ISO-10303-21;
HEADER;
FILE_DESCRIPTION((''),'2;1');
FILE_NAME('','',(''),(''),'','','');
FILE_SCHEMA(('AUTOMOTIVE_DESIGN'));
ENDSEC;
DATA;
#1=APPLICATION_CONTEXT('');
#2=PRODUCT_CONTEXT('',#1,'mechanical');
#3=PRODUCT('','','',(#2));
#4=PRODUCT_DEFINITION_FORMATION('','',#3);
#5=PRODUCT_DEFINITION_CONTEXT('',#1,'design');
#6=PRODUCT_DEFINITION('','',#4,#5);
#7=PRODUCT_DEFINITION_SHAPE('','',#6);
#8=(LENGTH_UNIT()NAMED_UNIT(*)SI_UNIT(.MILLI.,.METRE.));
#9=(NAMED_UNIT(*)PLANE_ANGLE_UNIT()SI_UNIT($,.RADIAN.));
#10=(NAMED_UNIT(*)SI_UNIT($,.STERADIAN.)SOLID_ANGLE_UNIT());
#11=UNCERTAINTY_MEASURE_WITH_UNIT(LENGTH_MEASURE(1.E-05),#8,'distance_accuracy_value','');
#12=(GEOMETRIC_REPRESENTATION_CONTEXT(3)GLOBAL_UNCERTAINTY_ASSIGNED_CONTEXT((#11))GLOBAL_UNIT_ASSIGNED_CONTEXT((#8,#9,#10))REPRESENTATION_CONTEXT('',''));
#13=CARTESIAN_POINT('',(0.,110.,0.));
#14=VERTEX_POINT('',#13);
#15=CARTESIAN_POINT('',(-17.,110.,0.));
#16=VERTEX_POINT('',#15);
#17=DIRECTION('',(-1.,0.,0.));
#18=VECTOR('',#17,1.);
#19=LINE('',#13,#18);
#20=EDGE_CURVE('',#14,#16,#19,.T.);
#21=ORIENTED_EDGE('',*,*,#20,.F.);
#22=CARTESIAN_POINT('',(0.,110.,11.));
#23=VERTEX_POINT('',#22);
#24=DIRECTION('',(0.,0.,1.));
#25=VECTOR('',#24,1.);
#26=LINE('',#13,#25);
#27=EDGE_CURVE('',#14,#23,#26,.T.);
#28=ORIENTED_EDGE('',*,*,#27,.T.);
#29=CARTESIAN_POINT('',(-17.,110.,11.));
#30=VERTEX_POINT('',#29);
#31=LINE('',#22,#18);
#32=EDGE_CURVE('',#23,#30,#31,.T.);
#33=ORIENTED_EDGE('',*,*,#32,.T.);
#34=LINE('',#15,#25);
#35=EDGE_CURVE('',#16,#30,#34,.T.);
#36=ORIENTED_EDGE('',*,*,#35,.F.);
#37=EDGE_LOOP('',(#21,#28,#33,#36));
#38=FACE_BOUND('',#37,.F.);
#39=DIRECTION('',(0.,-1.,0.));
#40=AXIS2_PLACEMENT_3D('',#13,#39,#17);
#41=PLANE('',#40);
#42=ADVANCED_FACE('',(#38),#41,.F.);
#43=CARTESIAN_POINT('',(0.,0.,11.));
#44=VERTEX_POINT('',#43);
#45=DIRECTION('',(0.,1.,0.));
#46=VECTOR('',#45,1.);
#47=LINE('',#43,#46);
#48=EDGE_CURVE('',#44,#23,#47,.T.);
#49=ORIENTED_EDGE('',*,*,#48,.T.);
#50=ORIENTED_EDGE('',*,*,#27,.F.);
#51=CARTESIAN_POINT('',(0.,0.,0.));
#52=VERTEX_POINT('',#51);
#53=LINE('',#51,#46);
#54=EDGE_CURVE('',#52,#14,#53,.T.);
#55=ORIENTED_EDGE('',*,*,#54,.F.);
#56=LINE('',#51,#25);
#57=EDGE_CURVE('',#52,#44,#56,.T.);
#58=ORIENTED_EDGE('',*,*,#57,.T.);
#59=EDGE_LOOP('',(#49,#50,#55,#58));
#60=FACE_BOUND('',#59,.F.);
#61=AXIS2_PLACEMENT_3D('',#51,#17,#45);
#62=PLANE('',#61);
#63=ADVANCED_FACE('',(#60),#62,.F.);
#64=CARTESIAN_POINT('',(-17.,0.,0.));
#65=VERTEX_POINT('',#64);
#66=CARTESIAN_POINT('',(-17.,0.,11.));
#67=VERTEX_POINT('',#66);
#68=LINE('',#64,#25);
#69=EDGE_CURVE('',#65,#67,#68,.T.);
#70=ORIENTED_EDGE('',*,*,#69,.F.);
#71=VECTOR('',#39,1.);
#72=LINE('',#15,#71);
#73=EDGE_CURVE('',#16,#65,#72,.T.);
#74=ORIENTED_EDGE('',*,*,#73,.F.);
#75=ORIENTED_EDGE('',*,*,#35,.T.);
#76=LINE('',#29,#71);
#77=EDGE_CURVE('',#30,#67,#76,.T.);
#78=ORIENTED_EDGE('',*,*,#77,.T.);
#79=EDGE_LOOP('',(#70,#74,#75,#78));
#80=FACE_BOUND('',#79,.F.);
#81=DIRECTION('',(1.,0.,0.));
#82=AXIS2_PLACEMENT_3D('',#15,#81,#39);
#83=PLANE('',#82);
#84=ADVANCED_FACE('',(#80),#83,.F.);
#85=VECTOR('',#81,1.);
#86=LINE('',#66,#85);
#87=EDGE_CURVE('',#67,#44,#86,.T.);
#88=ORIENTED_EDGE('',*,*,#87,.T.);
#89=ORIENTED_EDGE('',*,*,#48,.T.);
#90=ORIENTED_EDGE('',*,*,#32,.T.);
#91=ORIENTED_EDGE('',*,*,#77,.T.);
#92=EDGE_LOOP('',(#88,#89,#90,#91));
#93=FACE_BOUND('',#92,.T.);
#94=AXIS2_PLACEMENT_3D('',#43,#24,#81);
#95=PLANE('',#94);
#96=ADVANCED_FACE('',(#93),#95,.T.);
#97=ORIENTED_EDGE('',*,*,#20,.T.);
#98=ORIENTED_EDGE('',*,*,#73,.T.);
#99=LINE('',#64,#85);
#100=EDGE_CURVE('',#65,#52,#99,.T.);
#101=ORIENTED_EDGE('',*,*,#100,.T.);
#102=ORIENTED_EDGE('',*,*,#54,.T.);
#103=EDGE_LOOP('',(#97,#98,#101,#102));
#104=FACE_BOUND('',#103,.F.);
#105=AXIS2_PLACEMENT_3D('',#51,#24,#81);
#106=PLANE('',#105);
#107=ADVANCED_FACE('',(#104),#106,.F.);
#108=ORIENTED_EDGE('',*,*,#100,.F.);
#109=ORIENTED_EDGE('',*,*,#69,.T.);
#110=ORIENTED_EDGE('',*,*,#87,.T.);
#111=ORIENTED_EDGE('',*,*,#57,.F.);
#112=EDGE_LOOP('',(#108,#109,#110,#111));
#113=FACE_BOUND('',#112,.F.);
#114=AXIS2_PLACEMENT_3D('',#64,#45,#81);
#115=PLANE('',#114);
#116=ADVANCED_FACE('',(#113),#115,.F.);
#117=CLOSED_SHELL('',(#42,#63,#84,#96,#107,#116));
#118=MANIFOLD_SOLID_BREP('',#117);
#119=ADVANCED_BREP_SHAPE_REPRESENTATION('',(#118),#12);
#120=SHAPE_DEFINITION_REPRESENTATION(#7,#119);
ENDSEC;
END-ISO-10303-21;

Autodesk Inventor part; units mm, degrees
ref_plane "YZ Plane" through (0, 0, 0) normal (1, 0, 0) x (0, 1, 0)
ref_plane "XZ Plane" through (0, 0, 0) normal (0, 1, 0) x (-1, 0, 0)
ref_plane "XY Plane" through (0, 0, 0) normal (0, 0, 1) x (1, 0, 0)
sketch "Sketch1" plane through (0, 0, 0) normal (0, 0, 1) x (1, 0, 0)
  line L0 (0, 0) -> (0, 110)
  line L1 (0, 110) -> (-17, 110)
  line L2 (-17, 110) -> (-17, 0)
  line L3 (-17, 0) -> (0, 0)
  dimension "d0" = 110
  dimension "d1" = 17
extrude "Extrusion1" add sketch "Sketch1" along normal blind 11
properties part number "arm1"
